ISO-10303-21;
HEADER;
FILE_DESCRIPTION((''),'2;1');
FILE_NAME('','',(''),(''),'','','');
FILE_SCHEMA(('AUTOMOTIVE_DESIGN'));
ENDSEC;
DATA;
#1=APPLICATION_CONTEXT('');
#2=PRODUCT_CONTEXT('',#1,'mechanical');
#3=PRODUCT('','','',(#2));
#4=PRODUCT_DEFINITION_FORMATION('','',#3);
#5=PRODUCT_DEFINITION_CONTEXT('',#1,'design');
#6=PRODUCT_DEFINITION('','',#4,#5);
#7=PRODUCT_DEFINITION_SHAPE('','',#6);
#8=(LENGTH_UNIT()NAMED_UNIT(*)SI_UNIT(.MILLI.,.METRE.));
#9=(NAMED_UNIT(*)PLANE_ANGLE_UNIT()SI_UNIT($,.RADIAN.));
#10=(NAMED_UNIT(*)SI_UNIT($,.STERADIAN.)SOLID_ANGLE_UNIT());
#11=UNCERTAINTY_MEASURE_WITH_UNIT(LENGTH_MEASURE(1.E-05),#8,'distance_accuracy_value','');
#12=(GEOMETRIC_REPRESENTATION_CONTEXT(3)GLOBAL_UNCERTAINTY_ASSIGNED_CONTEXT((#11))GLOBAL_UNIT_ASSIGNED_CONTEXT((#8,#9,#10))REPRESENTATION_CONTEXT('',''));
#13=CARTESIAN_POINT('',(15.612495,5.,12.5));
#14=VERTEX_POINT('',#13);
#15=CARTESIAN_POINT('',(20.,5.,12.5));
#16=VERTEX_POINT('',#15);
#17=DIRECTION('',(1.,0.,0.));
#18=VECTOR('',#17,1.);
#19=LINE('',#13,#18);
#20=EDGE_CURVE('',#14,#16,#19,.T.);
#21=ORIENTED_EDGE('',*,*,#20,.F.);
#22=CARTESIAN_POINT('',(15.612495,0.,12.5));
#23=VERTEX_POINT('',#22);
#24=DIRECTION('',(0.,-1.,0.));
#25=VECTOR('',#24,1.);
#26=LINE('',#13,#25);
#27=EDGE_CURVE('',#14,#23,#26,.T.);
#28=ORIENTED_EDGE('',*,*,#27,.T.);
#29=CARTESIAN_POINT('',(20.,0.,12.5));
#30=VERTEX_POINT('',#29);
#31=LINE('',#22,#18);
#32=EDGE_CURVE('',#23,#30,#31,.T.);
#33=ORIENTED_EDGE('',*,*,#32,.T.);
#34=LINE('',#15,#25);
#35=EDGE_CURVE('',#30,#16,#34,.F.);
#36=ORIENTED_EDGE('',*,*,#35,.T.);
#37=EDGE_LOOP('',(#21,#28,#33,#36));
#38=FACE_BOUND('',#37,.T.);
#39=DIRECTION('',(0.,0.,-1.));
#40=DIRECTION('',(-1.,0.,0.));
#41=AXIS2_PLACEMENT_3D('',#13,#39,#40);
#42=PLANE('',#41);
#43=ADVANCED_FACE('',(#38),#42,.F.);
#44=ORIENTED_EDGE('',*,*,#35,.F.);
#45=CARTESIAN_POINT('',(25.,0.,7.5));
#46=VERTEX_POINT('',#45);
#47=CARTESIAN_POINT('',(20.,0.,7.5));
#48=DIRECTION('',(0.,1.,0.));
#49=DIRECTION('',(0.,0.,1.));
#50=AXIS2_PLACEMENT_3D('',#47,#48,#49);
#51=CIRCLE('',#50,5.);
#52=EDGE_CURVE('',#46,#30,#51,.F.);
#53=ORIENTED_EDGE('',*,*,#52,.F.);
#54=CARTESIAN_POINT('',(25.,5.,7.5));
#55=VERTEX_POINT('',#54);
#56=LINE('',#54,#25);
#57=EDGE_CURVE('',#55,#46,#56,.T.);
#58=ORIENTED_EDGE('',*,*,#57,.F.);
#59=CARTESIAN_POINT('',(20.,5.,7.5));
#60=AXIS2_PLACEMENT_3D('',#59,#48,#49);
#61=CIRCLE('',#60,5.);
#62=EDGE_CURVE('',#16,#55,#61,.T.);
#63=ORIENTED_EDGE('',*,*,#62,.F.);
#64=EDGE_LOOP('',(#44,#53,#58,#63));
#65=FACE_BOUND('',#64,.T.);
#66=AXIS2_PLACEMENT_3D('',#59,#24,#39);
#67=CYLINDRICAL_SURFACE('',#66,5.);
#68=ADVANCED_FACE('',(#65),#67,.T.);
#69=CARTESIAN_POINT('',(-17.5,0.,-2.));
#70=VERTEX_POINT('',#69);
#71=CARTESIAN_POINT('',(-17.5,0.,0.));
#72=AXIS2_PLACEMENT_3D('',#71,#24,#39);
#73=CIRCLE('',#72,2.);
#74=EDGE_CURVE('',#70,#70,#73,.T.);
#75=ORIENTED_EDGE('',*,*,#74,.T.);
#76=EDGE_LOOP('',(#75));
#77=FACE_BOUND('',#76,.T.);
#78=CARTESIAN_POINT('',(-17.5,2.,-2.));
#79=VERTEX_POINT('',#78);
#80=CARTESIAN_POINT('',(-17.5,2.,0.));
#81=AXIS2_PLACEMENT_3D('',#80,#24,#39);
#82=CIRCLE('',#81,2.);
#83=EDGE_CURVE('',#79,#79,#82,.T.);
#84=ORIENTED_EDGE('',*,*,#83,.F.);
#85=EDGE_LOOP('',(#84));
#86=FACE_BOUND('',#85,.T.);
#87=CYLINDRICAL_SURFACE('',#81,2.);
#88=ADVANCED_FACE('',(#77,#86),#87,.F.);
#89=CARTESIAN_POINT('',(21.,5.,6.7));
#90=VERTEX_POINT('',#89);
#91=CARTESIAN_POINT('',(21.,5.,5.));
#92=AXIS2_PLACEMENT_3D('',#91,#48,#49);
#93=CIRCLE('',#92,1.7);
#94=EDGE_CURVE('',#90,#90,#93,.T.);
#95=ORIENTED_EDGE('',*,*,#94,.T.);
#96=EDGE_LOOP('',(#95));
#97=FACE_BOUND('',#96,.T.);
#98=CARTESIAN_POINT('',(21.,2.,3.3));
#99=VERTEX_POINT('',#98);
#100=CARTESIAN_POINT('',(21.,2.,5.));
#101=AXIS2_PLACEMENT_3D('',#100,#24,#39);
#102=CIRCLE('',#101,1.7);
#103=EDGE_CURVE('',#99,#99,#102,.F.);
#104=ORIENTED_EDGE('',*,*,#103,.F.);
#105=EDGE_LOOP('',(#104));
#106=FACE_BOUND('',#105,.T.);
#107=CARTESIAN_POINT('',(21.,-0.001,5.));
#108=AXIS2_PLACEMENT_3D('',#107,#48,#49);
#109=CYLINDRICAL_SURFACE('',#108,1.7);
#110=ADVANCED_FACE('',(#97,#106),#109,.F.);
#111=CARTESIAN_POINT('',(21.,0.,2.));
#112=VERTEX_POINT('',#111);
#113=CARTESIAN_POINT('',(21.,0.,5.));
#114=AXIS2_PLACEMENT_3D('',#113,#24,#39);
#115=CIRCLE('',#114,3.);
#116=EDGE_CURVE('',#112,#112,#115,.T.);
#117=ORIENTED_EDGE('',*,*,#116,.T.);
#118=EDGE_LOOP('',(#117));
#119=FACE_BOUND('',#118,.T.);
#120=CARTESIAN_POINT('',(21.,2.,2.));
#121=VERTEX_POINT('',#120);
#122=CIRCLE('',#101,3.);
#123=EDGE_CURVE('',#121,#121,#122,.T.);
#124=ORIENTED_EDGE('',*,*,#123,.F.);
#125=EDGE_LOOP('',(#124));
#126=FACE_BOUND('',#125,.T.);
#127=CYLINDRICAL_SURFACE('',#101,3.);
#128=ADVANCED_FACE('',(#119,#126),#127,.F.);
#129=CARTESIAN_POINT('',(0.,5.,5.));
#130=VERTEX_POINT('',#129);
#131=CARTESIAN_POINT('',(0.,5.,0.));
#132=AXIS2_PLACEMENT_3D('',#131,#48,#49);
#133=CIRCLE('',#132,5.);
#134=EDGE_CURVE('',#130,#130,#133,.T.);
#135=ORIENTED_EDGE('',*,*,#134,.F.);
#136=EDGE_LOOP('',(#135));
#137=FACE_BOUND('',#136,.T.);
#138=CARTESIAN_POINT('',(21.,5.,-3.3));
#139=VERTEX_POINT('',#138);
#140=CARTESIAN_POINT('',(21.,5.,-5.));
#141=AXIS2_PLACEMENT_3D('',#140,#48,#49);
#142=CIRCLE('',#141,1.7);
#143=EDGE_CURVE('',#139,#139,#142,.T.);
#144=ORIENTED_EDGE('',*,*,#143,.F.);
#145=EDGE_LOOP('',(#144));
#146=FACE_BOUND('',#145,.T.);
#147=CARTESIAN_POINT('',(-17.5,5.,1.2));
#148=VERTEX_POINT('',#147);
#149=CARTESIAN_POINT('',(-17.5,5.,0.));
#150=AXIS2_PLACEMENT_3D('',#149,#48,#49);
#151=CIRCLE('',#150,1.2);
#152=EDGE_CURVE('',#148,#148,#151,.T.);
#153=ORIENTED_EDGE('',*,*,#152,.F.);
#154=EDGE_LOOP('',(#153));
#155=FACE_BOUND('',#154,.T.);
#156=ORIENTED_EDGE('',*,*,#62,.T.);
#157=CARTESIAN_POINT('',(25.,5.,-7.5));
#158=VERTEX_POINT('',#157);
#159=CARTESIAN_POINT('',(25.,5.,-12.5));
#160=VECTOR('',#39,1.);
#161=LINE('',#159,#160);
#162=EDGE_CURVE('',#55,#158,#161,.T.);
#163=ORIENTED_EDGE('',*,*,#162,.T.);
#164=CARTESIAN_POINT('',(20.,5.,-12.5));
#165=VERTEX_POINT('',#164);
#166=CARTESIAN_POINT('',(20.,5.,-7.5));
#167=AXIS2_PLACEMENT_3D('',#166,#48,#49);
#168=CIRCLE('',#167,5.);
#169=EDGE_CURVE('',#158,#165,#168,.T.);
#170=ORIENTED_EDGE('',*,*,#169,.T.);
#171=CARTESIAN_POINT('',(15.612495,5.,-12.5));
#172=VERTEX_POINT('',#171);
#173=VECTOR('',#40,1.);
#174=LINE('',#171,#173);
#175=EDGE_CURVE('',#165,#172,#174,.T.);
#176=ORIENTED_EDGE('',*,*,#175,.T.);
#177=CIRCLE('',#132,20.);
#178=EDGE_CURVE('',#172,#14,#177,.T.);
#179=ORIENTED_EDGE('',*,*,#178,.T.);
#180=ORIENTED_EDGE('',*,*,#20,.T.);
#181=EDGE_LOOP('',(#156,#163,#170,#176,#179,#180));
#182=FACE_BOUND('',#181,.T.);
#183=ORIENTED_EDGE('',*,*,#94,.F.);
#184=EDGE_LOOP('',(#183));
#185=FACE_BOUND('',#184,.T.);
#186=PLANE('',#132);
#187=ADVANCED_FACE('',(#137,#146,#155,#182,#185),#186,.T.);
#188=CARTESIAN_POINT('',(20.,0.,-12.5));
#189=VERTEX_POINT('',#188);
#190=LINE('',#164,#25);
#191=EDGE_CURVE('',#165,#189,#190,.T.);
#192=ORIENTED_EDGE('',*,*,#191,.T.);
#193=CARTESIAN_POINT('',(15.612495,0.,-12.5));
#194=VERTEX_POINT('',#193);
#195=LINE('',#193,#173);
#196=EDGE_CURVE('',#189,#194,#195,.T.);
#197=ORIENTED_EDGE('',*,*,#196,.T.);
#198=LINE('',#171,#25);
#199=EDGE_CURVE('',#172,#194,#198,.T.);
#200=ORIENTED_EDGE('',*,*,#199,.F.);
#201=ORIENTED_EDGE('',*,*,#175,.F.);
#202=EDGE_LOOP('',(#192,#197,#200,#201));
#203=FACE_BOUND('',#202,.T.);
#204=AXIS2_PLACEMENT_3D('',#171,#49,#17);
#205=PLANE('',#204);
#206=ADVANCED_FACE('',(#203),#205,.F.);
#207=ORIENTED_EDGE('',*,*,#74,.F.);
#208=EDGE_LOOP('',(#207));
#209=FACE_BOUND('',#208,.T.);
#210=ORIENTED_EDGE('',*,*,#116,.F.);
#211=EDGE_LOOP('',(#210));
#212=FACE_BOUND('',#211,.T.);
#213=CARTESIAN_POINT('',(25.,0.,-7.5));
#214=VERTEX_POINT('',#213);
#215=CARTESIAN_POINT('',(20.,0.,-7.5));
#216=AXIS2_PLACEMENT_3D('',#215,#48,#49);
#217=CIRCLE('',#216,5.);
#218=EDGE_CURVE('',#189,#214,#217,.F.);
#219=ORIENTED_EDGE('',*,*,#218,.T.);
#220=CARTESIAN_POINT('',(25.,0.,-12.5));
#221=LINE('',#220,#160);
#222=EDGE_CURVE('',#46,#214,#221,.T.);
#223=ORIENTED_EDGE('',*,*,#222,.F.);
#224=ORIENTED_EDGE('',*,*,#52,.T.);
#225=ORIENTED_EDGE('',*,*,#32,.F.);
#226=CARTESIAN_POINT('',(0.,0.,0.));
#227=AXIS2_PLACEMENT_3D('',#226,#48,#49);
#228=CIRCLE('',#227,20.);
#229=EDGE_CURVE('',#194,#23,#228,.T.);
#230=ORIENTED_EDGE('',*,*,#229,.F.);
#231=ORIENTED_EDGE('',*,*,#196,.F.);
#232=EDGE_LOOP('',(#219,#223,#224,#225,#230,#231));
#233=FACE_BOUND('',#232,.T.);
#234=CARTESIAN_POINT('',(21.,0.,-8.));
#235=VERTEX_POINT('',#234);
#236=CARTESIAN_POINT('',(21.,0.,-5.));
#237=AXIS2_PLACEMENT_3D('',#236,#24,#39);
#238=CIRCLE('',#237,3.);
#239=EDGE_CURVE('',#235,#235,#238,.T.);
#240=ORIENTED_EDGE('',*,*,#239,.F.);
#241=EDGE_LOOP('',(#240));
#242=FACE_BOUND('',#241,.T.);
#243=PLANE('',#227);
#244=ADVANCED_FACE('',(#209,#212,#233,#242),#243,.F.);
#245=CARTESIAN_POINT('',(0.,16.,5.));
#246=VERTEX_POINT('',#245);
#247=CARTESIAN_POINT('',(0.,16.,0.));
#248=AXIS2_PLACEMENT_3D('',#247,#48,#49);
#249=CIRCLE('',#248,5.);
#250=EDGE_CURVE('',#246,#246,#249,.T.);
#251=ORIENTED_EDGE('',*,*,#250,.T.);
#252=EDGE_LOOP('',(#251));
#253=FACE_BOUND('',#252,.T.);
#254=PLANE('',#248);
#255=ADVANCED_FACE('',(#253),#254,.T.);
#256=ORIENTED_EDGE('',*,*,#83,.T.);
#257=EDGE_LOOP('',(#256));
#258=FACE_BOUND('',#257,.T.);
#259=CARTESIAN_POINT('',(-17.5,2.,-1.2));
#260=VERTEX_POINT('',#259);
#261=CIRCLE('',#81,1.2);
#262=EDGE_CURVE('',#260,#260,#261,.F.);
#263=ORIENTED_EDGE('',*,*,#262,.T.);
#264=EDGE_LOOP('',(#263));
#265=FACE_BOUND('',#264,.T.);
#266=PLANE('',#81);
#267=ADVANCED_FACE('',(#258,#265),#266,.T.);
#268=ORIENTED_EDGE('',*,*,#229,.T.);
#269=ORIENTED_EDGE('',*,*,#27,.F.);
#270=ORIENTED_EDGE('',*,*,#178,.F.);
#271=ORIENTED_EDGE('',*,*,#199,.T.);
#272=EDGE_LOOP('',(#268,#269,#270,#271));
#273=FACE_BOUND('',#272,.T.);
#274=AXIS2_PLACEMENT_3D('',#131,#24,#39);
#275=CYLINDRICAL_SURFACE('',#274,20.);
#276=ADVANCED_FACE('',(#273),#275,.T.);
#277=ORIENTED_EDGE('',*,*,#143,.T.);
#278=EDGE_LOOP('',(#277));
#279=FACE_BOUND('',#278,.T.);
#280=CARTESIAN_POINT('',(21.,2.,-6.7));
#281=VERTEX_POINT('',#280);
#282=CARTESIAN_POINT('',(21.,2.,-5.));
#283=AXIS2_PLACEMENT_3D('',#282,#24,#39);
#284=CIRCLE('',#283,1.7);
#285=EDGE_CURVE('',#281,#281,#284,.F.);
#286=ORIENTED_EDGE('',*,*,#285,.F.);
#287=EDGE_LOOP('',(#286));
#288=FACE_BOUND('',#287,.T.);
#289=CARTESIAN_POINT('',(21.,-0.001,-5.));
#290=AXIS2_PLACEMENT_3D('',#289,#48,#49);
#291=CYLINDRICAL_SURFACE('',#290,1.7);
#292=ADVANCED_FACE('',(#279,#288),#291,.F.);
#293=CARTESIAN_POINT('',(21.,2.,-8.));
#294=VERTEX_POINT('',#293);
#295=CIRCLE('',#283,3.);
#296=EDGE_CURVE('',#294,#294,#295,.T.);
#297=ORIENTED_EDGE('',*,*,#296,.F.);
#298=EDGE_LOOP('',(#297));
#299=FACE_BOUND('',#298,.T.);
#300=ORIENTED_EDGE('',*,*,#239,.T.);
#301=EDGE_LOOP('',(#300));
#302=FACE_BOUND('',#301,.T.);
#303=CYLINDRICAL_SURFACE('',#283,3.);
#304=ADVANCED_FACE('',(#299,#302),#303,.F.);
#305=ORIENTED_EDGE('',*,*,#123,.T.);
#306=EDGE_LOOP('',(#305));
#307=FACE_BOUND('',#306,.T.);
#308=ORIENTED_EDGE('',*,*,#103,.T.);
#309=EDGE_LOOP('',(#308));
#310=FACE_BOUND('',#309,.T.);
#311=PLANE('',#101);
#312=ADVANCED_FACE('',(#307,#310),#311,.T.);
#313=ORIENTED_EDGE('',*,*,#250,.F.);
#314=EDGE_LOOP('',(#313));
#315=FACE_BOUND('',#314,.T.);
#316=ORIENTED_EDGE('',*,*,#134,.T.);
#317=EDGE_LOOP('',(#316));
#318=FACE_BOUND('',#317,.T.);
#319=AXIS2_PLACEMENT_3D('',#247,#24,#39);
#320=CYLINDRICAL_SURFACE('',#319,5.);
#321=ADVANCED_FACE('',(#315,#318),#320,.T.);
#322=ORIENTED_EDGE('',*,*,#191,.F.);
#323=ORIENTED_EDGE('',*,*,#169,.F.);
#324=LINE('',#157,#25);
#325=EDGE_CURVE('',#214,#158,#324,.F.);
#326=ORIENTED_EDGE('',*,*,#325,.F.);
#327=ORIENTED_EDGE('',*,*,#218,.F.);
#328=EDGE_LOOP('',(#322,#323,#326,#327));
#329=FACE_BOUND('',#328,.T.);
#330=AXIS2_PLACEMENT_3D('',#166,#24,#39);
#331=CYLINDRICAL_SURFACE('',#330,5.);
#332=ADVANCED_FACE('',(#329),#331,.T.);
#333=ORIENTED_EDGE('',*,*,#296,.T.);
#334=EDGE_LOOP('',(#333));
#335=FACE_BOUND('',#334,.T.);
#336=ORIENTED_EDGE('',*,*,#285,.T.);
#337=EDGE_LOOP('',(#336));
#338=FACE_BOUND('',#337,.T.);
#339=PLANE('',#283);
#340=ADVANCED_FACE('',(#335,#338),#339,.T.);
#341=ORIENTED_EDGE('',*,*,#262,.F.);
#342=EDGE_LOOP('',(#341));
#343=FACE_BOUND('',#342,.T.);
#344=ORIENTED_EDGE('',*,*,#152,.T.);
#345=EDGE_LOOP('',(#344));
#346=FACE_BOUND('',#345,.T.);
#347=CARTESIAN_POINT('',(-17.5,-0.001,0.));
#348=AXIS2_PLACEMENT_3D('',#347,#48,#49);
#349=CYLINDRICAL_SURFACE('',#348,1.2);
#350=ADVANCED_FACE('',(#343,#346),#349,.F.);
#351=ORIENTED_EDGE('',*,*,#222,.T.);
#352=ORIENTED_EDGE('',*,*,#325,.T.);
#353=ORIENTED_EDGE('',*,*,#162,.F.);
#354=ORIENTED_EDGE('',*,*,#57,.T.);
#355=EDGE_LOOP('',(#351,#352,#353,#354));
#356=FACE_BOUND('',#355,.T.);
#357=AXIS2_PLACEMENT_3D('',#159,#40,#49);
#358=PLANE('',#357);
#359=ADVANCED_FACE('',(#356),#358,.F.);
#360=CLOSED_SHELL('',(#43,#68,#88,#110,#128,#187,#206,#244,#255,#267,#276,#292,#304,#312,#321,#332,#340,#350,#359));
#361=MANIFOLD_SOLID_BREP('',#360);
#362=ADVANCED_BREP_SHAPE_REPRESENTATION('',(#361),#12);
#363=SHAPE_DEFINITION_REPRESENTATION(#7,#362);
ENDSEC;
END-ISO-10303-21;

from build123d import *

# Parameters (mm, degrees)
EXTRUDE_1_DEPTH     = 5
SKETCH_2_R          = 5
EXTRUDE_2_DEPTH     = 11
CUT_EXTRUDE_1_REACH = 7
SKETCH_3_R          = 1.2
SKETCH_3_R_2        = 1.7
SKETCH_4_R          = 2
SKETCH_4_R_2        = 3
CUT_EXTRUDE_2_DEPTH = 2
FILLET_1_R          = 5


with BuildPart() as part:
    # 스케치1 → 보스-돌출1 (new body)
    with BuildSketch(Plane(origin=(0, 0, 0), x_dir=(1, 0, 0), z_dir=(0, 1, 0))):
        with BuildLine():
            Line((15.612494996, 12.5), (25, 12.5))
            Line((25, 12.5), (25, -12.5))
            Line((25, -12.5), (15.612494996, -12.5))
            ThreePointArc((15.612494996, -12.5), (-20, 0), (15.612494996, 12.5))
        make_face()
    extrude(amount=EXTRUDE_1_DEPTH)

    # 스케치2 → 보스-돌출2 (add)
    with BuildSketch(Plane(origin=(0, 5, 0), x_dir=(1, 0, 0), z_dir=(0, 1, 0))):
        Circle(SKETCH_2_R)
    extrude(amount=EXTRUDE_2_DEPTH)

    # 스케치3 → 컷-돌출1 (cut, up to next)
    with BuildSketch(Plane(origin=(0, 5, 0), x_dir=(1, 0, 0), z_dir=(0, 1, 0)), mode=Mode.PRIVATE) as cut_extrude_1_sk1:
        with Locations((-17.5, 0)):
            Circle(SKETCH_3_R)
    cut_extrude_1_tool1 = extrude(cut_extrude_1_sk1.sketch, amount=-CUT_EXTRUDE_1_REACH, mode=Mode.PRIVATE) & part.part
    add(cut_extrude_1_tool1.solids().sort_by_distance((-17.5, 5, 0))[0], mode=Mode.SUBTRACT)
    # 스케치3 → 컷-돌출1 (cut, up to next)
    with BuildSketch(Plane(origin=(0, 5, 0), x_dir=(1, 0, 0), z_dir=(0, 1, 0)), mode=Mode.PRIVATE) as cut_extrude_1_sk2:
        with Locations((21, 5)):
            Circle(SKETCH_3_R_2)
    cut_extrude_1_tool2 = extrude(cut_extrude_1_sk2.sketch, amount=-CUT_EXTRUDE_1_REACH, mode=Mode.PRIVATE) & part.part
    add(cut_extrude_1_tool2.solids().sort_by_distance((21, 5, -5))[0], mode=Mode.SUBTRACT)
    # 스케치3 → 컷-돌출1 (cut, up to next)
    with BuildSketch(Plane(origin=(0, 5, 0), x_dir=(1, 0, 0), z_dir=(0, 1, 0)), mode=Mode.PRIVATE) as cut_extrude_1_sk3:
        with Locations((21, -5)):
            Circle(SKETCH_3_R_2)
    cut_extrude_1_tool3 = extrude(cut_extrude_1_sk3.sketch, amount=-CUT_EXTRUDE_1_REACH, mode=Mode.PRIVATE) & part.part
    add(cut_extrude_1_tool3.solids().sort_by_distance((21, 5, 5))[0], mode=Mode.SUBTRACT)

    # 스케치4 → 컷-돌출2 (cut)
    with BuildSketch(Plane.XZ):
        with Locations((-17.5, 0)):
            Circle(SKETCH_4_R)
        with Locations((21, 5)):
            Circle(SKETCH_4_R_2)
        with Locations((21, -5)):
            Circle(SKETCH_4_R_2)
    extrude(amount=-CUT_EXTRUDE_2_DEPTH, mode=Mode.SUBTRACT)

    # 필렛1
    fillet_1_edges = [part.edges().sort_by_distance(p)[0] for p in [
        (25, 2.5, 12.5),
        (25, 2.5, -12.5),
    ]]
    fillet(fillet_1_edges, radius=FILLET_1_R)


solid = part.part
